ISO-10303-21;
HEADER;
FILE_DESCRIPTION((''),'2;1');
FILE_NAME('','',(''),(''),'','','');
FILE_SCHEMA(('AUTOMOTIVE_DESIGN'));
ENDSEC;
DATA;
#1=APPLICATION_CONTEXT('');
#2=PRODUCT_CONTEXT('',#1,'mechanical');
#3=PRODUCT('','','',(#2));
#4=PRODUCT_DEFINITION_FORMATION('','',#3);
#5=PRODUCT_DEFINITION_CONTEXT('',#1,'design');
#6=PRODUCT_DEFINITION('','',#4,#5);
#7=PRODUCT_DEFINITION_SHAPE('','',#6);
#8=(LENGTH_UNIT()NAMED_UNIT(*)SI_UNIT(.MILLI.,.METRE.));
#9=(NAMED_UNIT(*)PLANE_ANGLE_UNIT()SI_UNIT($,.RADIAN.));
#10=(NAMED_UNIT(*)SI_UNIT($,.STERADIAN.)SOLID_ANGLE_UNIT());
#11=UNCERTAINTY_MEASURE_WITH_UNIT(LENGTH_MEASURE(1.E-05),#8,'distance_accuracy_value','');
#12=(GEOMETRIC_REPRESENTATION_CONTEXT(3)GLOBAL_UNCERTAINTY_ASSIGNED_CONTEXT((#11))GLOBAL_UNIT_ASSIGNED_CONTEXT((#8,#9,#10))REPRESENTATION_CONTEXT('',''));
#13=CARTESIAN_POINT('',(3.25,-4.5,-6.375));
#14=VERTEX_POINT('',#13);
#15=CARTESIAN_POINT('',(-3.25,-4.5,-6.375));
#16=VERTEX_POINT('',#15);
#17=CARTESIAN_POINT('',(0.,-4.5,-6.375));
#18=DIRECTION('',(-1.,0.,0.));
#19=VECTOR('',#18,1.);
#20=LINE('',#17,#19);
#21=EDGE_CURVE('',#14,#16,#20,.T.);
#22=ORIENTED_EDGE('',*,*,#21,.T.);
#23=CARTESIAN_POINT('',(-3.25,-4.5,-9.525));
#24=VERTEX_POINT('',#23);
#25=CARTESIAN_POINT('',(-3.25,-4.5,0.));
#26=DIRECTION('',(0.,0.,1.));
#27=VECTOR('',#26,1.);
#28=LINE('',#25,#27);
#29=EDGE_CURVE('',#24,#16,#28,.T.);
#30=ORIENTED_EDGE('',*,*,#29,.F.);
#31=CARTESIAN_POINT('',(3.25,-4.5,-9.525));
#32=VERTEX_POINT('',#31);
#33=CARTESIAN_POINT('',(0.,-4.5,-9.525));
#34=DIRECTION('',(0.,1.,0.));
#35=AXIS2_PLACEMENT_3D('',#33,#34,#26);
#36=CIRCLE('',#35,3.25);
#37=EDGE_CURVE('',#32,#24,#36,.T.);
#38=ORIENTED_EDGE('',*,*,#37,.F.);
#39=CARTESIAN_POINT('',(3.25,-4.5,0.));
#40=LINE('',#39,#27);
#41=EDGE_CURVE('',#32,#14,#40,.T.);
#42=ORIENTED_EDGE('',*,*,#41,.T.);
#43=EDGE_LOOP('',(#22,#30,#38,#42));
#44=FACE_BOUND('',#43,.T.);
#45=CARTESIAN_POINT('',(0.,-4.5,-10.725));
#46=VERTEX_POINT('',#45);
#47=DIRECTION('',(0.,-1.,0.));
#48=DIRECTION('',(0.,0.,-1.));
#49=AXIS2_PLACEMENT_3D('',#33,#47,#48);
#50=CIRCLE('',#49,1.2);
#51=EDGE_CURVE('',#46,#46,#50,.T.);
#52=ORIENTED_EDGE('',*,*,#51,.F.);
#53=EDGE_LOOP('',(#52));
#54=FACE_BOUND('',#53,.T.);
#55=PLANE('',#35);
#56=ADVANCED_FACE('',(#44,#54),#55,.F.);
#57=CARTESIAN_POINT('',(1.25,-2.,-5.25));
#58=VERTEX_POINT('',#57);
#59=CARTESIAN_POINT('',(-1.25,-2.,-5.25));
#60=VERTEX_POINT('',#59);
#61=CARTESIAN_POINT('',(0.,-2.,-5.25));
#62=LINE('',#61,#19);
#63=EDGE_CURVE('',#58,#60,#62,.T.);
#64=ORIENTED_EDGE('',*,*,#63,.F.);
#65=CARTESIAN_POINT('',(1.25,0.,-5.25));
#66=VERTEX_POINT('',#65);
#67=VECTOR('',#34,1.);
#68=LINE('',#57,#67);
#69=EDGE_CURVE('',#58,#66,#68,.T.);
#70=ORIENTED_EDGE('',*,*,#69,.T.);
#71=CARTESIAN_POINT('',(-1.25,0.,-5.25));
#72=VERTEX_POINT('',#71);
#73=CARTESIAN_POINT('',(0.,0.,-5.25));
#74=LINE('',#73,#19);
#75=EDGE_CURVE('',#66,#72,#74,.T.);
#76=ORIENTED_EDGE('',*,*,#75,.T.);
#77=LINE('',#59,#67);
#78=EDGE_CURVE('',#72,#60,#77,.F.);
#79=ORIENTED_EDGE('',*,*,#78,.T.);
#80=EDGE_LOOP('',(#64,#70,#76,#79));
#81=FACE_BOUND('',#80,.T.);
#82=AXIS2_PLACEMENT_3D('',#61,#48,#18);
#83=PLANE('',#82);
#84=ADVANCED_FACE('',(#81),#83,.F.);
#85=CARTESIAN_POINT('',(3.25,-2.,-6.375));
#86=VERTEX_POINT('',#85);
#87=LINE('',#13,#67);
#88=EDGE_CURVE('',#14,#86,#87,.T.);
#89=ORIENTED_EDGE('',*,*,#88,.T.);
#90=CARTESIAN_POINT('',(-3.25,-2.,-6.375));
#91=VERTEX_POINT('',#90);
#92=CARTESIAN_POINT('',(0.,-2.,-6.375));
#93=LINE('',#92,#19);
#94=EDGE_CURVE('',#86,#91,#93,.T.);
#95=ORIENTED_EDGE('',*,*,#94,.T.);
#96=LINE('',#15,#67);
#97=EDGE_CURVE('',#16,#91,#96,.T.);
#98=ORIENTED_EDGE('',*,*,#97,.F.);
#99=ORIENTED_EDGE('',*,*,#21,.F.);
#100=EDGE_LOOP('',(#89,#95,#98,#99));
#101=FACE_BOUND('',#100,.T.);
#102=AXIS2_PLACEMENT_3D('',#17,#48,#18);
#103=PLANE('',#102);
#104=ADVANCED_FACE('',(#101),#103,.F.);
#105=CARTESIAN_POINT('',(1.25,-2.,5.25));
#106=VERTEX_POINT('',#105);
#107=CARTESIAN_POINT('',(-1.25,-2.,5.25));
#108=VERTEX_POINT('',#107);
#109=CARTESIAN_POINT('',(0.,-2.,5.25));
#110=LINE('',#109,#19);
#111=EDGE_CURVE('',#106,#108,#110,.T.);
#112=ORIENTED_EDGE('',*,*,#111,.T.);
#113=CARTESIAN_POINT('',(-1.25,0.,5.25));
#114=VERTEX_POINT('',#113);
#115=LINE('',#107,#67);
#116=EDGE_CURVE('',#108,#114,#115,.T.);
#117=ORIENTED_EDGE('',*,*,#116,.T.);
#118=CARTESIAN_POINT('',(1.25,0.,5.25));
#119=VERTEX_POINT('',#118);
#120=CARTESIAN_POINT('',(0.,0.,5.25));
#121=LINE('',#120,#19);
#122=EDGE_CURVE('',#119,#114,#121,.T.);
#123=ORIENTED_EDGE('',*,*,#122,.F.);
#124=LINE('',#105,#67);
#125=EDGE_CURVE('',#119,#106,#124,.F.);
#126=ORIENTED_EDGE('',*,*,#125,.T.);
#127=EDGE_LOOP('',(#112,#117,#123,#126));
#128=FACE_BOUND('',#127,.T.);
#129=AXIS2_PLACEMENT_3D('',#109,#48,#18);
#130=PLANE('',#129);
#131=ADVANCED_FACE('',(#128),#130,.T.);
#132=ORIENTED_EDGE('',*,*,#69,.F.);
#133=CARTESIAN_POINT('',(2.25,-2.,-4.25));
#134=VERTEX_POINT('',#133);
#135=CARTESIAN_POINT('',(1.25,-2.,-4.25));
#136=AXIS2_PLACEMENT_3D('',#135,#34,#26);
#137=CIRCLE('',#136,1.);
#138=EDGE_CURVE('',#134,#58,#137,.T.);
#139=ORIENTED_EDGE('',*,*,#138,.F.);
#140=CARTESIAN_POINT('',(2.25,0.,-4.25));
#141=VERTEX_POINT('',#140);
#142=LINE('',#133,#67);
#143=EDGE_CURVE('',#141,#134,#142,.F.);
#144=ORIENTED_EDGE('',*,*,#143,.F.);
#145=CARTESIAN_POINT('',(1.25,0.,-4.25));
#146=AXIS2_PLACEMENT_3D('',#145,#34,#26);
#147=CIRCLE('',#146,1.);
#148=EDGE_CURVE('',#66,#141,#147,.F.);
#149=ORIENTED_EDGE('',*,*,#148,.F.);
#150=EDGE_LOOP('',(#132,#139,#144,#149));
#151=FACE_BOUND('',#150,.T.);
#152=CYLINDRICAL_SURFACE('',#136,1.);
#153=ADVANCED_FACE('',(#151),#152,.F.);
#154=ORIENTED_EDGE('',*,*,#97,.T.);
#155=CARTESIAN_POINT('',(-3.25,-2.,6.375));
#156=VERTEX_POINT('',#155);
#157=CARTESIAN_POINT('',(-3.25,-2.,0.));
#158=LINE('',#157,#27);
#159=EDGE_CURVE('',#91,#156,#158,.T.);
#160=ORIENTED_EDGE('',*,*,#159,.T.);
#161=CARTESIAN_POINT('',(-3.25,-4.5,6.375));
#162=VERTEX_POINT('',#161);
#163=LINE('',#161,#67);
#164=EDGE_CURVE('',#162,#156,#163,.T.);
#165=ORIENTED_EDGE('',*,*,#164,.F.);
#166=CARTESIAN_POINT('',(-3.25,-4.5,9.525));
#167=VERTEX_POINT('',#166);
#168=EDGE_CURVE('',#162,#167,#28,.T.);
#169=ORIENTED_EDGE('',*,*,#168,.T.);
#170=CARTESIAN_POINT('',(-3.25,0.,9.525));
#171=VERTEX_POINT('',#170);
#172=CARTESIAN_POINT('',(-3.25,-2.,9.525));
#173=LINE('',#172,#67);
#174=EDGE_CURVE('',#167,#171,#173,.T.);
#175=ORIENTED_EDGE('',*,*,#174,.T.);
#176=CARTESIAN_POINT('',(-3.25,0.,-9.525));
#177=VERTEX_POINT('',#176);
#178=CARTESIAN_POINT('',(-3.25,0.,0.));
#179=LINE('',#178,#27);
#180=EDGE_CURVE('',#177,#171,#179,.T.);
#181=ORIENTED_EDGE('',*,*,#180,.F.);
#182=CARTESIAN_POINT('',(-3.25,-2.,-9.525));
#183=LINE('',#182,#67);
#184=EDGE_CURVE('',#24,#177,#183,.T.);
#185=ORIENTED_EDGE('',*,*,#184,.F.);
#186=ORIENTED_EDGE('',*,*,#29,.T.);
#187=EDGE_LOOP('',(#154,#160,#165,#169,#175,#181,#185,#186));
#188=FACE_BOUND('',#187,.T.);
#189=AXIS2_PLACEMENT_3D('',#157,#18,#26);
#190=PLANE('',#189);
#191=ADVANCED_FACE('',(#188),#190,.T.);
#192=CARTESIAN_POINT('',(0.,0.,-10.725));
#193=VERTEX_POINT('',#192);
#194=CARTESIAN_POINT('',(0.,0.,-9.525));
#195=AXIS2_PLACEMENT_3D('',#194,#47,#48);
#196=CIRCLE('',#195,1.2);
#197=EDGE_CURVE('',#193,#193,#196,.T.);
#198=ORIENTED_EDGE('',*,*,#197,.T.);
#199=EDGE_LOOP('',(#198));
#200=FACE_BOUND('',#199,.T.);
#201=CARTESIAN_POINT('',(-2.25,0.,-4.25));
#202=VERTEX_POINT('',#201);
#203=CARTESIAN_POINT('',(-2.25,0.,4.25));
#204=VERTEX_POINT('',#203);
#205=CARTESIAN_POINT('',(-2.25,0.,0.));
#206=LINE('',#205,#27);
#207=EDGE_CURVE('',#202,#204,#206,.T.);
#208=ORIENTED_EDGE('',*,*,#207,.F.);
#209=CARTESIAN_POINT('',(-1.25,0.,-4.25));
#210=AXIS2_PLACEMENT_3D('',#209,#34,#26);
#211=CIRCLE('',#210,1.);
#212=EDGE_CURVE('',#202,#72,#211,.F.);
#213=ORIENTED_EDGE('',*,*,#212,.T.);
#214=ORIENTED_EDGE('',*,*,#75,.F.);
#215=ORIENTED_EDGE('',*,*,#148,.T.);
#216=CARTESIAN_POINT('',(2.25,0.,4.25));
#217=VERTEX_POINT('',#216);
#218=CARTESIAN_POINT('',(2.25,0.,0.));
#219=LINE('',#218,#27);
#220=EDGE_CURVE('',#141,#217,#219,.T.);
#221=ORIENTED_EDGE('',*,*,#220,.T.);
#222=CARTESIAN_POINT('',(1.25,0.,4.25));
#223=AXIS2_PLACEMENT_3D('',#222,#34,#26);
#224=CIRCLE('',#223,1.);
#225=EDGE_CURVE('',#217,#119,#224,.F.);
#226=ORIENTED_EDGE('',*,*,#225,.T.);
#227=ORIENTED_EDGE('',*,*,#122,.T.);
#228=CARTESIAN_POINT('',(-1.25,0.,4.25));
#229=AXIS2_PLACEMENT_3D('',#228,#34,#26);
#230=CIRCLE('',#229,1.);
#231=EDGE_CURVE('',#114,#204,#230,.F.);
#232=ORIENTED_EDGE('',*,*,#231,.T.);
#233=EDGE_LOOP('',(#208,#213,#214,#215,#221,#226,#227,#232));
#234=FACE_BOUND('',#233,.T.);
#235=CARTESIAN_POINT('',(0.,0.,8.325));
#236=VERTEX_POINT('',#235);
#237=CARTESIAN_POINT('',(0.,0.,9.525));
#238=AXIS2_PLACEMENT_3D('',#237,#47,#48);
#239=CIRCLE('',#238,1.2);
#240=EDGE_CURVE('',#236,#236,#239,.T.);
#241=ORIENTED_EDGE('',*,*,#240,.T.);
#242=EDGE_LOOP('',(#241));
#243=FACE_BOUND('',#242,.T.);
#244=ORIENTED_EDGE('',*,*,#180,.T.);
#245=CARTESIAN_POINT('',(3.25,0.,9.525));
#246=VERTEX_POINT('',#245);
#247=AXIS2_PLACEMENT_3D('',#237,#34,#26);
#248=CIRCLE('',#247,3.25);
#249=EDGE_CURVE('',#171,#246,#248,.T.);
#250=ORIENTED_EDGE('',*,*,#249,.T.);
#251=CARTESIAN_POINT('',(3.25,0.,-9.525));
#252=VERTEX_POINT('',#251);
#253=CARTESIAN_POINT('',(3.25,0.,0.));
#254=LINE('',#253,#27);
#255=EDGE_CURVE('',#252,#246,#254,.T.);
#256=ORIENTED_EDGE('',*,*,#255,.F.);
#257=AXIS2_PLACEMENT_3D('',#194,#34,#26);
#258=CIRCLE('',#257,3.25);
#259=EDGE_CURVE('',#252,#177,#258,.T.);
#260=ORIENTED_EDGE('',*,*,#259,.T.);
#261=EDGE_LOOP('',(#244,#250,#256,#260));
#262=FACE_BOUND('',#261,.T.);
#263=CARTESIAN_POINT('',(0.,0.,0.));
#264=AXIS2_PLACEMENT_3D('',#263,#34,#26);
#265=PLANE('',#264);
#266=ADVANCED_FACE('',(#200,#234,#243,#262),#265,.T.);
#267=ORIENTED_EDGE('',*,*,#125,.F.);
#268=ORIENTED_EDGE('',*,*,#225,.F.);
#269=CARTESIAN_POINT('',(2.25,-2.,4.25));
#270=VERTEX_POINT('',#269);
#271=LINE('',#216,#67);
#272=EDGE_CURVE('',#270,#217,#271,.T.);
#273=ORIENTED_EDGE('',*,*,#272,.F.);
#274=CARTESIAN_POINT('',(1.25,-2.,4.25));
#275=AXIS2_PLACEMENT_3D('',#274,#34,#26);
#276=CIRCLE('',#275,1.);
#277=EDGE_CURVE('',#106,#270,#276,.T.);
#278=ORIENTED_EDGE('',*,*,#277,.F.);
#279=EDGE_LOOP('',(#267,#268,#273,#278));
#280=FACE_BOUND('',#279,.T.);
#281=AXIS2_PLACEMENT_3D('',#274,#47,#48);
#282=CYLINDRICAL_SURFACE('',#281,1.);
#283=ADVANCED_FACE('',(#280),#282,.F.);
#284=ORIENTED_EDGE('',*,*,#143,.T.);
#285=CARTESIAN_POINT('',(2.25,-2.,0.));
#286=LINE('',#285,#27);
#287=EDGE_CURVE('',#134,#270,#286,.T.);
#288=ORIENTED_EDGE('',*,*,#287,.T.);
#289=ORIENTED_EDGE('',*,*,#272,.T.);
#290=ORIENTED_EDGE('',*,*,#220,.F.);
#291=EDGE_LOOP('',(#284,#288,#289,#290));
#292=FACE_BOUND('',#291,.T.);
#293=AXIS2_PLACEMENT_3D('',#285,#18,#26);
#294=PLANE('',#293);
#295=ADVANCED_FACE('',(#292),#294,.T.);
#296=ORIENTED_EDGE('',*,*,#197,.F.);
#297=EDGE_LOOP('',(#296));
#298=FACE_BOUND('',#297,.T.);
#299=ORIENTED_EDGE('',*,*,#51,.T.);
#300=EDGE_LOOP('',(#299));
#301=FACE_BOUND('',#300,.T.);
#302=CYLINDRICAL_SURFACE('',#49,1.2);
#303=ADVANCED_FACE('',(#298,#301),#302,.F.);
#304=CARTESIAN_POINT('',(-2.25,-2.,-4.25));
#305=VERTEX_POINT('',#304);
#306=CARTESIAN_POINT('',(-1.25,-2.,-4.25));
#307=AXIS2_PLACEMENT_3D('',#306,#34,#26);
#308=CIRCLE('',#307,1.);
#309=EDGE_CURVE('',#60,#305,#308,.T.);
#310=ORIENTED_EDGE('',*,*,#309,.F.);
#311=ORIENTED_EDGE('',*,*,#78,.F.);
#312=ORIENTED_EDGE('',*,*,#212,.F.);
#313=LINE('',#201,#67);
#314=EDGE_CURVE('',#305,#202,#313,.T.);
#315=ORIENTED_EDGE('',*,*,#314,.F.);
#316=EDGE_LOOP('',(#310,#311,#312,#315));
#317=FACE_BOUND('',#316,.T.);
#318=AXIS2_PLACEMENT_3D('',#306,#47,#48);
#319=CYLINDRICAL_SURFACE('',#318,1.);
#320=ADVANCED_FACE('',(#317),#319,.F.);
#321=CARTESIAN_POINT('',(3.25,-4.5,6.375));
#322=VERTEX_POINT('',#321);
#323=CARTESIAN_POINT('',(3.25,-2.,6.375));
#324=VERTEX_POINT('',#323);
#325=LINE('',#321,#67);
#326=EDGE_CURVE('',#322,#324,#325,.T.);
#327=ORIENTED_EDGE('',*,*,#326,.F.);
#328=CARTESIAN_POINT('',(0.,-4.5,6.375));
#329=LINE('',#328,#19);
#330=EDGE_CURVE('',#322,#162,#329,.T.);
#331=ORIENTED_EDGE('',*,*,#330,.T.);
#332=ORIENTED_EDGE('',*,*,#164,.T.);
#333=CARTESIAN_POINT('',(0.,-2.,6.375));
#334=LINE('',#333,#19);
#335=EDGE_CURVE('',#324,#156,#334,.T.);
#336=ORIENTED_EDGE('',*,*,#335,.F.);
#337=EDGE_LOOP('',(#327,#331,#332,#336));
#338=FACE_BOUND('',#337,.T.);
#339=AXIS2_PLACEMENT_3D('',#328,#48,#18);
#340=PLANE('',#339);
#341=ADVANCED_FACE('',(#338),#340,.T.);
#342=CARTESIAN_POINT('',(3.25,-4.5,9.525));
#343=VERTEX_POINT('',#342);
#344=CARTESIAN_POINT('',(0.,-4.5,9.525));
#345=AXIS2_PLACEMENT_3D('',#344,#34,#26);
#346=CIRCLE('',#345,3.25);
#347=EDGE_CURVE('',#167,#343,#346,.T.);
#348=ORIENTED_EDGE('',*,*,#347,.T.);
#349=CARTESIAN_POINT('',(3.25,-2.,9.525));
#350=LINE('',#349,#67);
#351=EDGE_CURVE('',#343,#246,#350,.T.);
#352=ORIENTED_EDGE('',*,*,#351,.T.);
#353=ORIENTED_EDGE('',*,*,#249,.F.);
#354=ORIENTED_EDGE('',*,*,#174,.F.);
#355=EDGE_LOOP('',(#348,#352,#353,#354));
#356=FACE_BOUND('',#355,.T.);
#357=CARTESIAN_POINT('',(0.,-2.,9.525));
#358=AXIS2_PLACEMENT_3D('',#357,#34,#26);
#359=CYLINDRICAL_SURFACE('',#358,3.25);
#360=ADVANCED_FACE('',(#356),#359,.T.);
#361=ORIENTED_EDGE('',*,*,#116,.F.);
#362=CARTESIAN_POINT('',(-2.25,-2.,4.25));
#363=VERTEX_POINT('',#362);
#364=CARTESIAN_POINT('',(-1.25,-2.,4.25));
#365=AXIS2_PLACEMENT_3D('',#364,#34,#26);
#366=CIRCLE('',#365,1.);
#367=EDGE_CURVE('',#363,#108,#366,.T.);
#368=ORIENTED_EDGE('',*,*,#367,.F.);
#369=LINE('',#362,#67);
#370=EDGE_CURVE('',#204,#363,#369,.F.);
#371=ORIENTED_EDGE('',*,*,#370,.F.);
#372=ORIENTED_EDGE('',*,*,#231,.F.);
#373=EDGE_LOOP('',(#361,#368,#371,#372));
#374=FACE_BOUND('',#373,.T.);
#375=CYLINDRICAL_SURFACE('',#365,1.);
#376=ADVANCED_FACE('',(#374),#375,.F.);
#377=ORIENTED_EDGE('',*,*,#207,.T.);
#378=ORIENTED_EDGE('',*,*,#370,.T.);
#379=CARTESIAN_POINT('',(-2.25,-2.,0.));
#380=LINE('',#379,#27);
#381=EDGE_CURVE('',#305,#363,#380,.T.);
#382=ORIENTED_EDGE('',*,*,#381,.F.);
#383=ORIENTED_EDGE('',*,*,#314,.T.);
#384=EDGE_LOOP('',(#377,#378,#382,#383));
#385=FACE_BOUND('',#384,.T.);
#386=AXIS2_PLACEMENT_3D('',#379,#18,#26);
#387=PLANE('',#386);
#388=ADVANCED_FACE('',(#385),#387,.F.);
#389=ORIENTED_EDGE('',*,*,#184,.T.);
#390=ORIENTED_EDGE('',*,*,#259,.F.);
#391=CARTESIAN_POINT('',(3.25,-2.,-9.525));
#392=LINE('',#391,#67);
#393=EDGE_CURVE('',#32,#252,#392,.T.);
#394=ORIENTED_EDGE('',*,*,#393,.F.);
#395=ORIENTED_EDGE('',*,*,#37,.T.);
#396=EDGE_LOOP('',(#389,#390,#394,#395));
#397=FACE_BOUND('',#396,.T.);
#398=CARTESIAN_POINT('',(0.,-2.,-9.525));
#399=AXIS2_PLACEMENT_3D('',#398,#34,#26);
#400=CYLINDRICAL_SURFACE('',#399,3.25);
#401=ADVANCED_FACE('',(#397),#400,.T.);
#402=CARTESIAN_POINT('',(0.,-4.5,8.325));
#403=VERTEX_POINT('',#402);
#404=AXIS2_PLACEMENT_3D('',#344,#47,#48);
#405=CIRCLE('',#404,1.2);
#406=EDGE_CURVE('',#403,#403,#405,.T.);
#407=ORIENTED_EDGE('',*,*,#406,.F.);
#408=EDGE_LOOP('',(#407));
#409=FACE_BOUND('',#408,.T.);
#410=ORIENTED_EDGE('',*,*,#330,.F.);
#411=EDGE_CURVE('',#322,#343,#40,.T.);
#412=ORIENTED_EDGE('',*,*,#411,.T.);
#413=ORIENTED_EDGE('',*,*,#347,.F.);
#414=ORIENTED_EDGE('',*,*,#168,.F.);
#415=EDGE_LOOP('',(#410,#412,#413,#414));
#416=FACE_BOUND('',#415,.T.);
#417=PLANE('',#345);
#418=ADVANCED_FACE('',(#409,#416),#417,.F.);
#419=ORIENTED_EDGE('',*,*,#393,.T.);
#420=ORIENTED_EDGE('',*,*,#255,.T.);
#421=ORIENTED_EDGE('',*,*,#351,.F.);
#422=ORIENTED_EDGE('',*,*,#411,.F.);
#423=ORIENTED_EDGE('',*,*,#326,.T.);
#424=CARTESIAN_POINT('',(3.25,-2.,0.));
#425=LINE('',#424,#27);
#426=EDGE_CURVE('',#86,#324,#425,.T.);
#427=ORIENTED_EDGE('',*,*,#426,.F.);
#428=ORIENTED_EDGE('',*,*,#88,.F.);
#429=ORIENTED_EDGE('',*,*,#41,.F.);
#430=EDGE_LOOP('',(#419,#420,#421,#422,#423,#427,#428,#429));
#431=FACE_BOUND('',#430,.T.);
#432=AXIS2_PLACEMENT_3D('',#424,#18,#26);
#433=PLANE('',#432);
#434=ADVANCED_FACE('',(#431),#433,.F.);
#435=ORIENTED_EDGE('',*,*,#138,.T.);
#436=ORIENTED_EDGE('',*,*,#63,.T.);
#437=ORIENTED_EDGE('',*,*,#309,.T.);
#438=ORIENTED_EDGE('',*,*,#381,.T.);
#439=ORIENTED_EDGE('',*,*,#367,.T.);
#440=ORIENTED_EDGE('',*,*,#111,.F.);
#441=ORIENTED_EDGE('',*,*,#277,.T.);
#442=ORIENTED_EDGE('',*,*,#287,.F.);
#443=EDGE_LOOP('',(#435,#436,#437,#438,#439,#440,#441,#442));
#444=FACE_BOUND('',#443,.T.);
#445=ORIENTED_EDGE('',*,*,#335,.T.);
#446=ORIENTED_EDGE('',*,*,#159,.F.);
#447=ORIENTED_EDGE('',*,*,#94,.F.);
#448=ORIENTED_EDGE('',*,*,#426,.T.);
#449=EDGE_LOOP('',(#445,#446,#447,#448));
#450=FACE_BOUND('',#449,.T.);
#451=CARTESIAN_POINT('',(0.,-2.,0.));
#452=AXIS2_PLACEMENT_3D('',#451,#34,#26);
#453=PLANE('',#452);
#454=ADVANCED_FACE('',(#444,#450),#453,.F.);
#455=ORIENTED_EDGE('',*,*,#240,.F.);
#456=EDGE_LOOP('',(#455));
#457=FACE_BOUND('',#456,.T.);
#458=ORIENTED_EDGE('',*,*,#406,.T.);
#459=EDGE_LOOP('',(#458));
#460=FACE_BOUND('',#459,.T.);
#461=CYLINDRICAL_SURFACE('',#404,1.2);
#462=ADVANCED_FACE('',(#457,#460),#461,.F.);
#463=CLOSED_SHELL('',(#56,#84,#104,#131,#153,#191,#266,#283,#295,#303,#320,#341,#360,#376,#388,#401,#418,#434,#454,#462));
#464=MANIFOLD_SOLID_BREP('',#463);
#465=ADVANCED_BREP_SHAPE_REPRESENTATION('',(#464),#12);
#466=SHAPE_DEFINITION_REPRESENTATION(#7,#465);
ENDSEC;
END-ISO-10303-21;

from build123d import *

# Parameters (mm, degrees)
SKETCH1_W            = 4.5
SKETCH1_H            = 10.5
BOSS_EXTRUDE1_DEPTH  = 2
BOSS_EXTRUDE2_START  = -2
BOSS_EXTRUDE2_DEPTH  = 2.5
M2_CLEARANCE_HOLE1_D = 2.4
FILLET1_R            = 1


with BuildPart() as part:
    # Sketch1 → Boss-Extrude1 (new body)
    with BuildSketch(Plane(origin=(0, 0, 0), x_dir=(1, 0, 0), z_dir=(0, 1, 0))):
        with BuildLine():
            Line((3.25, 9.525), (3.25, -9.525))
            ThreePointArc((3.25, -9.525), (0, -12.775), (-3.25, -9.525))
            Line((-3.25, -9.525), (-3.25, 9.525))
            ThreePointArc((-3.25, 9.525), (0, 12.775), (3.25, 9.525))
        make_face()
        Rectangle(SKETCH1_W, SKETCH1_H, mode=Mode.SUBTRACT)
    extrude(amount=-BOSS_EXTRUDE1_DEPTH)

    # Sketch1<3> → Boss-Extrude2 (add)
    with BuildSketch(Plane(origin=(0, 0, 0), x_dir=(1, 0, 0), z_dir=(0, 1, 0)).offset(BOSS_EXTRUDE2_START)):
        with BuildLine():
            Line((-3.25, 9.525), (-3.25, 6.375))
            Line((-3.25, 6.375), (3.25, 6.375))
            Line((3.25, 6.375), (3.25, 9.525))
            ThreePointArc((3.25, 9.525), (0, 12.775), (-3.25, 9.525))
        make_face()
        with BuildLine():
            Line((3.25, -6.375), (-3.25, -6.375))
            Line((-3.25, -6.375), (-3.25, -9.525))
            ThreePointArc((-3.25, -9.525), (0, -12.775), (3.25, -9.525))
            Line((3.25, -9.525), (3.25, -6.375))
        make_face()
    extrude(amount=-BOSS_EXTRUDE2_DEPTH)

    # M2 Clearance Hole1 (through all)
    with Locations(Plane(origin=(0, -4.5, 0), x_dir=(-1, 0, 0), z_dir=(0, -1, 0))):
        with Locations((0, 9.525), (0, -9.525)):
            Hole(M2_CLEARANCE_HOLE1_D / 2)

    # Fillet1
    fillet1_edges = [part.edges().sort_by_distance(p)[0] for p in [
        (-2.25, -1, 5.25),
        (2.25, -1, 5.25),
        (2.25, -1, -5.25),
        (-2.25, -1, -5.25),
    ]]
    fillet(fillet1_edges, radius=FILLET1_R)


solid = part.part
